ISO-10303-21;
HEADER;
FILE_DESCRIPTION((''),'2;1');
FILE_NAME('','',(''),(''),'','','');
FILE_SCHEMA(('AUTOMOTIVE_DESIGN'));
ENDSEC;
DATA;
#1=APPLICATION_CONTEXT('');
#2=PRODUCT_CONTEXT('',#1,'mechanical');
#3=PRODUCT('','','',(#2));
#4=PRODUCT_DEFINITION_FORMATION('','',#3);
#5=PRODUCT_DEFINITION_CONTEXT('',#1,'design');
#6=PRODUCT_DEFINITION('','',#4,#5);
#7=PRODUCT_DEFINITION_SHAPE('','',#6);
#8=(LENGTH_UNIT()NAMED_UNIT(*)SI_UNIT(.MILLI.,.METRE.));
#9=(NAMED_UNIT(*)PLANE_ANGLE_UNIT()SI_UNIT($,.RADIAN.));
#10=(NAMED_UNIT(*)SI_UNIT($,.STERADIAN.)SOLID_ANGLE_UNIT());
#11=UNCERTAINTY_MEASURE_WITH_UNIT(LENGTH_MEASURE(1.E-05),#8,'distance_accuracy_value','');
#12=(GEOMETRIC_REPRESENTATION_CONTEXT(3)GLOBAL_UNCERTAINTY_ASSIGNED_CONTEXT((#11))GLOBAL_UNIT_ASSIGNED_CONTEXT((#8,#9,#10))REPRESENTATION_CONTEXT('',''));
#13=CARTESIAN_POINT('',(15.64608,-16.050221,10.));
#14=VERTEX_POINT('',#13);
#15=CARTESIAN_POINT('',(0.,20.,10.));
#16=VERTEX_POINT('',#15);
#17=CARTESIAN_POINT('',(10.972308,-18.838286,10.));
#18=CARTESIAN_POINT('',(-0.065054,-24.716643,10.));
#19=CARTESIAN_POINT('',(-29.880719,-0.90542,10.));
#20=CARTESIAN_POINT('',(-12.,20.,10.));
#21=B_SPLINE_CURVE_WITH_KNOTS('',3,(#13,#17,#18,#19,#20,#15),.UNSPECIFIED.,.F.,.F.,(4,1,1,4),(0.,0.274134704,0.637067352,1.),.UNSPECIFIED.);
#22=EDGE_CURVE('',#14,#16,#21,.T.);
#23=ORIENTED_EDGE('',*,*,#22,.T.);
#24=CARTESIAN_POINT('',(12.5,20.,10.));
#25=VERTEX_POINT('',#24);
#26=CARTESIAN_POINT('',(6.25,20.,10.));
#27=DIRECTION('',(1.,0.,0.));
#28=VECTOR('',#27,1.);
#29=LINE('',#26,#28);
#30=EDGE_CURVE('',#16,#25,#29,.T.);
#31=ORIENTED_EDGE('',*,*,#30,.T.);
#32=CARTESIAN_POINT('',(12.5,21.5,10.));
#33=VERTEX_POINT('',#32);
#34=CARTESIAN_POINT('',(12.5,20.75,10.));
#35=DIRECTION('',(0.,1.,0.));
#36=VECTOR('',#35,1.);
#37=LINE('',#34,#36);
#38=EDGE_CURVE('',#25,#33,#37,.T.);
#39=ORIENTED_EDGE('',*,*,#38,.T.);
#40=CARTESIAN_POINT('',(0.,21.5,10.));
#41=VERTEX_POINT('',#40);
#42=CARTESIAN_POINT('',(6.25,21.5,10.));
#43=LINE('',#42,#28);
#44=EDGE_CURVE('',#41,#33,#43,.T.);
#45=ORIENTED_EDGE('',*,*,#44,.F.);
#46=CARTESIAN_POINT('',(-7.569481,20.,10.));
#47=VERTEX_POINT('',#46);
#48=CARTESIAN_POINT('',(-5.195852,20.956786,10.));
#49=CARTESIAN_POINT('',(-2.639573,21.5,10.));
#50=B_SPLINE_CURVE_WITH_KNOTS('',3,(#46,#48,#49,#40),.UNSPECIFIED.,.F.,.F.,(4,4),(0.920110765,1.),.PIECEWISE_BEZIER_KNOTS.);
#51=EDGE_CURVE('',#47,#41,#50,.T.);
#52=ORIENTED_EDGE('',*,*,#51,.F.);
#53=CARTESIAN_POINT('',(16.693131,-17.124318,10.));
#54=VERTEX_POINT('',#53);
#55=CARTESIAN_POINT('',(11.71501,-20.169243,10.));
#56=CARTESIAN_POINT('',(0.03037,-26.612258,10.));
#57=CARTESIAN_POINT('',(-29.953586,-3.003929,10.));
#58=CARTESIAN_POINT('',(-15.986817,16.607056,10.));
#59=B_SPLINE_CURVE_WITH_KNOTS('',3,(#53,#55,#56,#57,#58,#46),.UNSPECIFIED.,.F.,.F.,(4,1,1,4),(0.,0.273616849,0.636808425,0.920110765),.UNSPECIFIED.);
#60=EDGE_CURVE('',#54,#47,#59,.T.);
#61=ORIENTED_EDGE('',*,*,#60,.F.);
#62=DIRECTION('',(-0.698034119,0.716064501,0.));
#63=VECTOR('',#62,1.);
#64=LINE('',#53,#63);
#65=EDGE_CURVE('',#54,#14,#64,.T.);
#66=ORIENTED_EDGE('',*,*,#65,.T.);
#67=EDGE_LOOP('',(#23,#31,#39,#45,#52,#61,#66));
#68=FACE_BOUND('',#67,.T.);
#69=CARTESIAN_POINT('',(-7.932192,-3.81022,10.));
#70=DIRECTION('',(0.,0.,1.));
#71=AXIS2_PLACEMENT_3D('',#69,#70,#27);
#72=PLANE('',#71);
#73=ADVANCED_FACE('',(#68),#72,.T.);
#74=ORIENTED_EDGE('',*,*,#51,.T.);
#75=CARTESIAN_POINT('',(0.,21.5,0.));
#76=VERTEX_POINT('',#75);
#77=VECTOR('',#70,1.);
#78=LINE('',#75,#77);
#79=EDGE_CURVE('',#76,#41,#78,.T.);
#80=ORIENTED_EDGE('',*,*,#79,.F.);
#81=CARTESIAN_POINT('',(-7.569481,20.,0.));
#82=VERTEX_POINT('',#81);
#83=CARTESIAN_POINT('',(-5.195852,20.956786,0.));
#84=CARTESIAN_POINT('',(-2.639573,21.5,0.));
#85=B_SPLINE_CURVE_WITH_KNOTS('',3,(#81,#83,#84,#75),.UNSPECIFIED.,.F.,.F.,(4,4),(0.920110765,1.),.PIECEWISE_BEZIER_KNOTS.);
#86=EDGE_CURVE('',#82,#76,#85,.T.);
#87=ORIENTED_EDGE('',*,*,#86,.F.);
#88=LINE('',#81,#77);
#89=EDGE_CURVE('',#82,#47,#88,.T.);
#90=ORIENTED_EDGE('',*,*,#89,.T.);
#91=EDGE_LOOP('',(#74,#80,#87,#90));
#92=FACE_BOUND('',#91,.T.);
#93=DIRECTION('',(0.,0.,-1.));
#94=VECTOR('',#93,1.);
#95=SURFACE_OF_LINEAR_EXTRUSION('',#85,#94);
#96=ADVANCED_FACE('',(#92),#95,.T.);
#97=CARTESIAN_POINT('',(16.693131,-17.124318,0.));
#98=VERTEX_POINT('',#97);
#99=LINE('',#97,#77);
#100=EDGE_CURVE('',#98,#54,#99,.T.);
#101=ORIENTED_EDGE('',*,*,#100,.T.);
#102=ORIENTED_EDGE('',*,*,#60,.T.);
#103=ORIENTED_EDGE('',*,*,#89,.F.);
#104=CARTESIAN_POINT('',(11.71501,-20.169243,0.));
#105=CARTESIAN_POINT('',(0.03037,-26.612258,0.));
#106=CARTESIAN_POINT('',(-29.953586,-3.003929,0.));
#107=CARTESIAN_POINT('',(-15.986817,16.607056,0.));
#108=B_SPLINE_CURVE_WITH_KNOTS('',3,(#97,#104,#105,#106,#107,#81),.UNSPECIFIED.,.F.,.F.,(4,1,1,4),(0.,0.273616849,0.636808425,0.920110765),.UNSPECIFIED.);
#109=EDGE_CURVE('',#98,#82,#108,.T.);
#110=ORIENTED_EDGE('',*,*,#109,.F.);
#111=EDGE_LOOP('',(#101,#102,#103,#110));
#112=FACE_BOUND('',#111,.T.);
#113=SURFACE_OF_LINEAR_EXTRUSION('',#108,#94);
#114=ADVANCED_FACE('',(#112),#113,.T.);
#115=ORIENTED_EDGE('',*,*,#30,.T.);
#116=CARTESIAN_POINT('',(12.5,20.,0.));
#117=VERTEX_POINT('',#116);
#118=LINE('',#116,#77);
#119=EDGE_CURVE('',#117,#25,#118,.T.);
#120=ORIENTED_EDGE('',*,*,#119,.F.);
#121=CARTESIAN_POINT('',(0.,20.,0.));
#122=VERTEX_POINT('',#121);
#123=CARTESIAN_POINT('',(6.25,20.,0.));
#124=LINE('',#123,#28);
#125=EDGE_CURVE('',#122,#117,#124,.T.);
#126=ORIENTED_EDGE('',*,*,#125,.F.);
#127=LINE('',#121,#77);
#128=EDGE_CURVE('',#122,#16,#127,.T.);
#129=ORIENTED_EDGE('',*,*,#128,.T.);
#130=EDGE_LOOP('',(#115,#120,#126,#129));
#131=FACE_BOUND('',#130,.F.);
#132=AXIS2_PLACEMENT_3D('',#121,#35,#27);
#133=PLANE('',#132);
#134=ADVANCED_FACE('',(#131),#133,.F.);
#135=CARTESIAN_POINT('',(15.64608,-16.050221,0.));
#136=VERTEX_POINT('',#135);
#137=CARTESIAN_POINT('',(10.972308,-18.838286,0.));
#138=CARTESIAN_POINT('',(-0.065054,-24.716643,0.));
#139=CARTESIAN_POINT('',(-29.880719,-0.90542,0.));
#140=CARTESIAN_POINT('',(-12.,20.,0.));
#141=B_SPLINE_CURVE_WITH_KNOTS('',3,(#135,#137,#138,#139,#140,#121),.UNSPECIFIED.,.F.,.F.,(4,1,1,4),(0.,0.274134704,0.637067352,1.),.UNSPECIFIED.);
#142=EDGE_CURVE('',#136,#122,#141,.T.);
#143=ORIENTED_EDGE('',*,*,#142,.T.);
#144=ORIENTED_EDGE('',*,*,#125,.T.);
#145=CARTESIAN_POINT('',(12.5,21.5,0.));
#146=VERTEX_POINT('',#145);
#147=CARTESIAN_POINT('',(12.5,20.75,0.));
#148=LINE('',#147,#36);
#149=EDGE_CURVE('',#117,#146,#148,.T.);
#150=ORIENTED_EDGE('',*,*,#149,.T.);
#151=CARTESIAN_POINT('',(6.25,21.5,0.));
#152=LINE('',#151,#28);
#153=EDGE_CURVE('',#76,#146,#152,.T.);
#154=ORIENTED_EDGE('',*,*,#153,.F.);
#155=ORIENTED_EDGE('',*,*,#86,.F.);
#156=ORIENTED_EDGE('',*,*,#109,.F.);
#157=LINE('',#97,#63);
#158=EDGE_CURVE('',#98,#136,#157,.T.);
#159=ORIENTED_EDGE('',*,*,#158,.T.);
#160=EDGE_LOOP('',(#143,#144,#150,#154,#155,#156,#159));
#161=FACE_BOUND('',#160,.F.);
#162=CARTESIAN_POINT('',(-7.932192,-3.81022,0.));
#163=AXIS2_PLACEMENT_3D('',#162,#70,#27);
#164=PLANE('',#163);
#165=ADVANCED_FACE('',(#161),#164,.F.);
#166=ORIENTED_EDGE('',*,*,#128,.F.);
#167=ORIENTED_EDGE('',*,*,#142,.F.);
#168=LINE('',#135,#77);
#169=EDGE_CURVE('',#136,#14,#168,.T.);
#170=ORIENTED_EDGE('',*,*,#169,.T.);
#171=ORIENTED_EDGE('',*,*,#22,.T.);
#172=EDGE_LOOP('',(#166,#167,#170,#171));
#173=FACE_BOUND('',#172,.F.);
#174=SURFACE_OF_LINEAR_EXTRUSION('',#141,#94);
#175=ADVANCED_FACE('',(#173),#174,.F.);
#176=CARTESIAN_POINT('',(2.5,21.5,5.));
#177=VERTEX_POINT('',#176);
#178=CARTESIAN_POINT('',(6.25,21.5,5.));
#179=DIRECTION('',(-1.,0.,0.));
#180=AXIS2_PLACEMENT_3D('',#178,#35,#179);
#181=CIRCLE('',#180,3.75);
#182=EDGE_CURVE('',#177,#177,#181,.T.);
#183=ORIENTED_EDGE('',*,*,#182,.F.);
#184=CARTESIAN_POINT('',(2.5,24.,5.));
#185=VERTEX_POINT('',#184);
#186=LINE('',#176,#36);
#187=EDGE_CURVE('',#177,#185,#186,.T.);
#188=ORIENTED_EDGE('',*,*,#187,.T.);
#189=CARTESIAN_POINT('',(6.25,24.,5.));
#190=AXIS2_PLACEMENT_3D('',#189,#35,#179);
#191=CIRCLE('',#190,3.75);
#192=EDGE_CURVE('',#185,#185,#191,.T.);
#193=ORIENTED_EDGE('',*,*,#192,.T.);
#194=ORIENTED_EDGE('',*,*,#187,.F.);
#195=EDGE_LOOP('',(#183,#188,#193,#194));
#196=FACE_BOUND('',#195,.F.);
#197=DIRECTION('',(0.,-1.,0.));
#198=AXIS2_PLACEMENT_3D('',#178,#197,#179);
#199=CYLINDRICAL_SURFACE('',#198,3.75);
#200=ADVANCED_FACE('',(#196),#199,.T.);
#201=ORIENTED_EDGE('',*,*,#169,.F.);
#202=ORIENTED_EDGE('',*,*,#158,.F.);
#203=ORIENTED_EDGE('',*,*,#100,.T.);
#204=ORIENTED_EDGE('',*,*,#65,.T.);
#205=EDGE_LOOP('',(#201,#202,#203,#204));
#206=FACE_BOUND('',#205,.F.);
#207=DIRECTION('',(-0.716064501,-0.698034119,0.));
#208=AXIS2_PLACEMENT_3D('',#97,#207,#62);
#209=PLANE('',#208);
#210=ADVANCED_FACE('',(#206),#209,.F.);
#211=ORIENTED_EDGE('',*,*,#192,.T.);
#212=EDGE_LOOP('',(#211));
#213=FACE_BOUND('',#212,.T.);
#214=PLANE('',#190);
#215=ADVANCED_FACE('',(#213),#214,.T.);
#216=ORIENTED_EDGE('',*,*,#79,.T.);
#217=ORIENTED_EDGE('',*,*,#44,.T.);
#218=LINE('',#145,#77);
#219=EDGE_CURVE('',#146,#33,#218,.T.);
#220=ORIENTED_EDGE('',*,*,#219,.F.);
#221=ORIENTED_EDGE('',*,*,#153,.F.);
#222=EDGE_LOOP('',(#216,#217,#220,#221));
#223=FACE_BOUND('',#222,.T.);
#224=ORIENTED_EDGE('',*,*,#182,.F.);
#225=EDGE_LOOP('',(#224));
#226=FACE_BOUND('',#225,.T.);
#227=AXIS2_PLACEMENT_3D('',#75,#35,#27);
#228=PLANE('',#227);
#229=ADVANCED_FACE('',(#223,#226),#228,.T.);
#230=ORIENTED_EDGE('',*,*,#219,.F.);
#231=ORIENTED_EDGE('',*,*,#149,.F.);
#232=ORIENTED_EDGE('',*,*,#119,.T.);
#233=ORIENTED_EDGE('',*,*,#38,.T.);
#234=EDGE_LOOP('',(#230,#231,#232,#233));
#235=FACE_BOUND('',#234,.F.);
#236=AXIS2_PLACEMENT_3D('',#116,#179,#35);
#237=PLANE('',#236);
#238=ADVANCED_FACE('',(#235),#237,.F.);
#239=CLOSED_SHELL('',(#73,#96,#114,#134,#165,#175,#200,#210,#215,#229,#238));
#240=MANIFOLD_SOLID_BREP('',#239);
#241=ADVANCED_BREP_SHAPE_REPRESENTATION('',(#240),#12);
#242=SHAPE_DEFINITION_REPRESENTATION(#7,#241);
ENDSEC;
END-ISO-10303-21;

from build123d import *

# Parameters (mm, degrees)
F0_W     = 12.5
F0_H     = 1.5
F1_DEPTH = 10
F2_R     = 3.75
F3_DEPTH = 2.5


with BuildPart() as f1:
    # F0 (on Top) → F1 (new body)
    with BuildSketch(Plane.XY):
        with BuildLine():
            Line((16.693130733, -17.1243181497), (15.6460795552, -16.0502213985))
            add(Edge.make_bspline(
                [(15.6460795552, -16.0502213985), (10.9723080383, -18.8382862325), (-0.065053846, -24.716642573), (-29.8807188342, -0.9054199431), (-12, 20), (0, 20)],
                knots=[0, 0, 0, 0, 0.2741347036, 0.6370673518, 1, 1, 1, 1], degree=3))
            Line((0, 20), (-7.5694808965, 20))
            add(Edge.make_bspline(
                [(16.693130733, -17.1243181497), (11.7150097642, -20.1692427359), (0.0303697623, -26.6122584875), (-29.9535860826, -3.0039292772), (-15.9868170366, 16.6070562714), (-7.5694808965, 20)],
                knots=[0, 0, 0, 0, 0.2736168492, 0.6368084246, 0.9201107646, 0.9201107646, 0.9201107646, 0.9201107646], degree=3))
        make_face()
        with BuildLine():
            Line((-7.5694808965, 20), (0, 20))
            Line((0, 20), (0, 21.5))
            add(Edge.make_bspline(
                [(-7.5694808965, 20), (-5.1958522543, 20.9567858859), (-2.6395734099, 21.5), (0, 21.5)],
                knots=[0.9201107646, 0.9201107646, 0.9201107646, 0.9201107646, 1, 1, 1, 1], degree=3))
        make_face()
        with Locations((6.25, 20.75)):
            Rectangle(F0_W, F0_H)
    extrude(amount=F1_DEPTH)

    # F2 (on face) → F3 (join)
    with BuildSketch(Plane(origin=(0, 21.5, 0), x_dir=(-1, 0, 0), z_dir=(0, 1, 0))):
        with Locations((-6.25, 5)):
            Circle(F2_R)
    extrude(amount=F3_DEPTH)


solid = f1.part
